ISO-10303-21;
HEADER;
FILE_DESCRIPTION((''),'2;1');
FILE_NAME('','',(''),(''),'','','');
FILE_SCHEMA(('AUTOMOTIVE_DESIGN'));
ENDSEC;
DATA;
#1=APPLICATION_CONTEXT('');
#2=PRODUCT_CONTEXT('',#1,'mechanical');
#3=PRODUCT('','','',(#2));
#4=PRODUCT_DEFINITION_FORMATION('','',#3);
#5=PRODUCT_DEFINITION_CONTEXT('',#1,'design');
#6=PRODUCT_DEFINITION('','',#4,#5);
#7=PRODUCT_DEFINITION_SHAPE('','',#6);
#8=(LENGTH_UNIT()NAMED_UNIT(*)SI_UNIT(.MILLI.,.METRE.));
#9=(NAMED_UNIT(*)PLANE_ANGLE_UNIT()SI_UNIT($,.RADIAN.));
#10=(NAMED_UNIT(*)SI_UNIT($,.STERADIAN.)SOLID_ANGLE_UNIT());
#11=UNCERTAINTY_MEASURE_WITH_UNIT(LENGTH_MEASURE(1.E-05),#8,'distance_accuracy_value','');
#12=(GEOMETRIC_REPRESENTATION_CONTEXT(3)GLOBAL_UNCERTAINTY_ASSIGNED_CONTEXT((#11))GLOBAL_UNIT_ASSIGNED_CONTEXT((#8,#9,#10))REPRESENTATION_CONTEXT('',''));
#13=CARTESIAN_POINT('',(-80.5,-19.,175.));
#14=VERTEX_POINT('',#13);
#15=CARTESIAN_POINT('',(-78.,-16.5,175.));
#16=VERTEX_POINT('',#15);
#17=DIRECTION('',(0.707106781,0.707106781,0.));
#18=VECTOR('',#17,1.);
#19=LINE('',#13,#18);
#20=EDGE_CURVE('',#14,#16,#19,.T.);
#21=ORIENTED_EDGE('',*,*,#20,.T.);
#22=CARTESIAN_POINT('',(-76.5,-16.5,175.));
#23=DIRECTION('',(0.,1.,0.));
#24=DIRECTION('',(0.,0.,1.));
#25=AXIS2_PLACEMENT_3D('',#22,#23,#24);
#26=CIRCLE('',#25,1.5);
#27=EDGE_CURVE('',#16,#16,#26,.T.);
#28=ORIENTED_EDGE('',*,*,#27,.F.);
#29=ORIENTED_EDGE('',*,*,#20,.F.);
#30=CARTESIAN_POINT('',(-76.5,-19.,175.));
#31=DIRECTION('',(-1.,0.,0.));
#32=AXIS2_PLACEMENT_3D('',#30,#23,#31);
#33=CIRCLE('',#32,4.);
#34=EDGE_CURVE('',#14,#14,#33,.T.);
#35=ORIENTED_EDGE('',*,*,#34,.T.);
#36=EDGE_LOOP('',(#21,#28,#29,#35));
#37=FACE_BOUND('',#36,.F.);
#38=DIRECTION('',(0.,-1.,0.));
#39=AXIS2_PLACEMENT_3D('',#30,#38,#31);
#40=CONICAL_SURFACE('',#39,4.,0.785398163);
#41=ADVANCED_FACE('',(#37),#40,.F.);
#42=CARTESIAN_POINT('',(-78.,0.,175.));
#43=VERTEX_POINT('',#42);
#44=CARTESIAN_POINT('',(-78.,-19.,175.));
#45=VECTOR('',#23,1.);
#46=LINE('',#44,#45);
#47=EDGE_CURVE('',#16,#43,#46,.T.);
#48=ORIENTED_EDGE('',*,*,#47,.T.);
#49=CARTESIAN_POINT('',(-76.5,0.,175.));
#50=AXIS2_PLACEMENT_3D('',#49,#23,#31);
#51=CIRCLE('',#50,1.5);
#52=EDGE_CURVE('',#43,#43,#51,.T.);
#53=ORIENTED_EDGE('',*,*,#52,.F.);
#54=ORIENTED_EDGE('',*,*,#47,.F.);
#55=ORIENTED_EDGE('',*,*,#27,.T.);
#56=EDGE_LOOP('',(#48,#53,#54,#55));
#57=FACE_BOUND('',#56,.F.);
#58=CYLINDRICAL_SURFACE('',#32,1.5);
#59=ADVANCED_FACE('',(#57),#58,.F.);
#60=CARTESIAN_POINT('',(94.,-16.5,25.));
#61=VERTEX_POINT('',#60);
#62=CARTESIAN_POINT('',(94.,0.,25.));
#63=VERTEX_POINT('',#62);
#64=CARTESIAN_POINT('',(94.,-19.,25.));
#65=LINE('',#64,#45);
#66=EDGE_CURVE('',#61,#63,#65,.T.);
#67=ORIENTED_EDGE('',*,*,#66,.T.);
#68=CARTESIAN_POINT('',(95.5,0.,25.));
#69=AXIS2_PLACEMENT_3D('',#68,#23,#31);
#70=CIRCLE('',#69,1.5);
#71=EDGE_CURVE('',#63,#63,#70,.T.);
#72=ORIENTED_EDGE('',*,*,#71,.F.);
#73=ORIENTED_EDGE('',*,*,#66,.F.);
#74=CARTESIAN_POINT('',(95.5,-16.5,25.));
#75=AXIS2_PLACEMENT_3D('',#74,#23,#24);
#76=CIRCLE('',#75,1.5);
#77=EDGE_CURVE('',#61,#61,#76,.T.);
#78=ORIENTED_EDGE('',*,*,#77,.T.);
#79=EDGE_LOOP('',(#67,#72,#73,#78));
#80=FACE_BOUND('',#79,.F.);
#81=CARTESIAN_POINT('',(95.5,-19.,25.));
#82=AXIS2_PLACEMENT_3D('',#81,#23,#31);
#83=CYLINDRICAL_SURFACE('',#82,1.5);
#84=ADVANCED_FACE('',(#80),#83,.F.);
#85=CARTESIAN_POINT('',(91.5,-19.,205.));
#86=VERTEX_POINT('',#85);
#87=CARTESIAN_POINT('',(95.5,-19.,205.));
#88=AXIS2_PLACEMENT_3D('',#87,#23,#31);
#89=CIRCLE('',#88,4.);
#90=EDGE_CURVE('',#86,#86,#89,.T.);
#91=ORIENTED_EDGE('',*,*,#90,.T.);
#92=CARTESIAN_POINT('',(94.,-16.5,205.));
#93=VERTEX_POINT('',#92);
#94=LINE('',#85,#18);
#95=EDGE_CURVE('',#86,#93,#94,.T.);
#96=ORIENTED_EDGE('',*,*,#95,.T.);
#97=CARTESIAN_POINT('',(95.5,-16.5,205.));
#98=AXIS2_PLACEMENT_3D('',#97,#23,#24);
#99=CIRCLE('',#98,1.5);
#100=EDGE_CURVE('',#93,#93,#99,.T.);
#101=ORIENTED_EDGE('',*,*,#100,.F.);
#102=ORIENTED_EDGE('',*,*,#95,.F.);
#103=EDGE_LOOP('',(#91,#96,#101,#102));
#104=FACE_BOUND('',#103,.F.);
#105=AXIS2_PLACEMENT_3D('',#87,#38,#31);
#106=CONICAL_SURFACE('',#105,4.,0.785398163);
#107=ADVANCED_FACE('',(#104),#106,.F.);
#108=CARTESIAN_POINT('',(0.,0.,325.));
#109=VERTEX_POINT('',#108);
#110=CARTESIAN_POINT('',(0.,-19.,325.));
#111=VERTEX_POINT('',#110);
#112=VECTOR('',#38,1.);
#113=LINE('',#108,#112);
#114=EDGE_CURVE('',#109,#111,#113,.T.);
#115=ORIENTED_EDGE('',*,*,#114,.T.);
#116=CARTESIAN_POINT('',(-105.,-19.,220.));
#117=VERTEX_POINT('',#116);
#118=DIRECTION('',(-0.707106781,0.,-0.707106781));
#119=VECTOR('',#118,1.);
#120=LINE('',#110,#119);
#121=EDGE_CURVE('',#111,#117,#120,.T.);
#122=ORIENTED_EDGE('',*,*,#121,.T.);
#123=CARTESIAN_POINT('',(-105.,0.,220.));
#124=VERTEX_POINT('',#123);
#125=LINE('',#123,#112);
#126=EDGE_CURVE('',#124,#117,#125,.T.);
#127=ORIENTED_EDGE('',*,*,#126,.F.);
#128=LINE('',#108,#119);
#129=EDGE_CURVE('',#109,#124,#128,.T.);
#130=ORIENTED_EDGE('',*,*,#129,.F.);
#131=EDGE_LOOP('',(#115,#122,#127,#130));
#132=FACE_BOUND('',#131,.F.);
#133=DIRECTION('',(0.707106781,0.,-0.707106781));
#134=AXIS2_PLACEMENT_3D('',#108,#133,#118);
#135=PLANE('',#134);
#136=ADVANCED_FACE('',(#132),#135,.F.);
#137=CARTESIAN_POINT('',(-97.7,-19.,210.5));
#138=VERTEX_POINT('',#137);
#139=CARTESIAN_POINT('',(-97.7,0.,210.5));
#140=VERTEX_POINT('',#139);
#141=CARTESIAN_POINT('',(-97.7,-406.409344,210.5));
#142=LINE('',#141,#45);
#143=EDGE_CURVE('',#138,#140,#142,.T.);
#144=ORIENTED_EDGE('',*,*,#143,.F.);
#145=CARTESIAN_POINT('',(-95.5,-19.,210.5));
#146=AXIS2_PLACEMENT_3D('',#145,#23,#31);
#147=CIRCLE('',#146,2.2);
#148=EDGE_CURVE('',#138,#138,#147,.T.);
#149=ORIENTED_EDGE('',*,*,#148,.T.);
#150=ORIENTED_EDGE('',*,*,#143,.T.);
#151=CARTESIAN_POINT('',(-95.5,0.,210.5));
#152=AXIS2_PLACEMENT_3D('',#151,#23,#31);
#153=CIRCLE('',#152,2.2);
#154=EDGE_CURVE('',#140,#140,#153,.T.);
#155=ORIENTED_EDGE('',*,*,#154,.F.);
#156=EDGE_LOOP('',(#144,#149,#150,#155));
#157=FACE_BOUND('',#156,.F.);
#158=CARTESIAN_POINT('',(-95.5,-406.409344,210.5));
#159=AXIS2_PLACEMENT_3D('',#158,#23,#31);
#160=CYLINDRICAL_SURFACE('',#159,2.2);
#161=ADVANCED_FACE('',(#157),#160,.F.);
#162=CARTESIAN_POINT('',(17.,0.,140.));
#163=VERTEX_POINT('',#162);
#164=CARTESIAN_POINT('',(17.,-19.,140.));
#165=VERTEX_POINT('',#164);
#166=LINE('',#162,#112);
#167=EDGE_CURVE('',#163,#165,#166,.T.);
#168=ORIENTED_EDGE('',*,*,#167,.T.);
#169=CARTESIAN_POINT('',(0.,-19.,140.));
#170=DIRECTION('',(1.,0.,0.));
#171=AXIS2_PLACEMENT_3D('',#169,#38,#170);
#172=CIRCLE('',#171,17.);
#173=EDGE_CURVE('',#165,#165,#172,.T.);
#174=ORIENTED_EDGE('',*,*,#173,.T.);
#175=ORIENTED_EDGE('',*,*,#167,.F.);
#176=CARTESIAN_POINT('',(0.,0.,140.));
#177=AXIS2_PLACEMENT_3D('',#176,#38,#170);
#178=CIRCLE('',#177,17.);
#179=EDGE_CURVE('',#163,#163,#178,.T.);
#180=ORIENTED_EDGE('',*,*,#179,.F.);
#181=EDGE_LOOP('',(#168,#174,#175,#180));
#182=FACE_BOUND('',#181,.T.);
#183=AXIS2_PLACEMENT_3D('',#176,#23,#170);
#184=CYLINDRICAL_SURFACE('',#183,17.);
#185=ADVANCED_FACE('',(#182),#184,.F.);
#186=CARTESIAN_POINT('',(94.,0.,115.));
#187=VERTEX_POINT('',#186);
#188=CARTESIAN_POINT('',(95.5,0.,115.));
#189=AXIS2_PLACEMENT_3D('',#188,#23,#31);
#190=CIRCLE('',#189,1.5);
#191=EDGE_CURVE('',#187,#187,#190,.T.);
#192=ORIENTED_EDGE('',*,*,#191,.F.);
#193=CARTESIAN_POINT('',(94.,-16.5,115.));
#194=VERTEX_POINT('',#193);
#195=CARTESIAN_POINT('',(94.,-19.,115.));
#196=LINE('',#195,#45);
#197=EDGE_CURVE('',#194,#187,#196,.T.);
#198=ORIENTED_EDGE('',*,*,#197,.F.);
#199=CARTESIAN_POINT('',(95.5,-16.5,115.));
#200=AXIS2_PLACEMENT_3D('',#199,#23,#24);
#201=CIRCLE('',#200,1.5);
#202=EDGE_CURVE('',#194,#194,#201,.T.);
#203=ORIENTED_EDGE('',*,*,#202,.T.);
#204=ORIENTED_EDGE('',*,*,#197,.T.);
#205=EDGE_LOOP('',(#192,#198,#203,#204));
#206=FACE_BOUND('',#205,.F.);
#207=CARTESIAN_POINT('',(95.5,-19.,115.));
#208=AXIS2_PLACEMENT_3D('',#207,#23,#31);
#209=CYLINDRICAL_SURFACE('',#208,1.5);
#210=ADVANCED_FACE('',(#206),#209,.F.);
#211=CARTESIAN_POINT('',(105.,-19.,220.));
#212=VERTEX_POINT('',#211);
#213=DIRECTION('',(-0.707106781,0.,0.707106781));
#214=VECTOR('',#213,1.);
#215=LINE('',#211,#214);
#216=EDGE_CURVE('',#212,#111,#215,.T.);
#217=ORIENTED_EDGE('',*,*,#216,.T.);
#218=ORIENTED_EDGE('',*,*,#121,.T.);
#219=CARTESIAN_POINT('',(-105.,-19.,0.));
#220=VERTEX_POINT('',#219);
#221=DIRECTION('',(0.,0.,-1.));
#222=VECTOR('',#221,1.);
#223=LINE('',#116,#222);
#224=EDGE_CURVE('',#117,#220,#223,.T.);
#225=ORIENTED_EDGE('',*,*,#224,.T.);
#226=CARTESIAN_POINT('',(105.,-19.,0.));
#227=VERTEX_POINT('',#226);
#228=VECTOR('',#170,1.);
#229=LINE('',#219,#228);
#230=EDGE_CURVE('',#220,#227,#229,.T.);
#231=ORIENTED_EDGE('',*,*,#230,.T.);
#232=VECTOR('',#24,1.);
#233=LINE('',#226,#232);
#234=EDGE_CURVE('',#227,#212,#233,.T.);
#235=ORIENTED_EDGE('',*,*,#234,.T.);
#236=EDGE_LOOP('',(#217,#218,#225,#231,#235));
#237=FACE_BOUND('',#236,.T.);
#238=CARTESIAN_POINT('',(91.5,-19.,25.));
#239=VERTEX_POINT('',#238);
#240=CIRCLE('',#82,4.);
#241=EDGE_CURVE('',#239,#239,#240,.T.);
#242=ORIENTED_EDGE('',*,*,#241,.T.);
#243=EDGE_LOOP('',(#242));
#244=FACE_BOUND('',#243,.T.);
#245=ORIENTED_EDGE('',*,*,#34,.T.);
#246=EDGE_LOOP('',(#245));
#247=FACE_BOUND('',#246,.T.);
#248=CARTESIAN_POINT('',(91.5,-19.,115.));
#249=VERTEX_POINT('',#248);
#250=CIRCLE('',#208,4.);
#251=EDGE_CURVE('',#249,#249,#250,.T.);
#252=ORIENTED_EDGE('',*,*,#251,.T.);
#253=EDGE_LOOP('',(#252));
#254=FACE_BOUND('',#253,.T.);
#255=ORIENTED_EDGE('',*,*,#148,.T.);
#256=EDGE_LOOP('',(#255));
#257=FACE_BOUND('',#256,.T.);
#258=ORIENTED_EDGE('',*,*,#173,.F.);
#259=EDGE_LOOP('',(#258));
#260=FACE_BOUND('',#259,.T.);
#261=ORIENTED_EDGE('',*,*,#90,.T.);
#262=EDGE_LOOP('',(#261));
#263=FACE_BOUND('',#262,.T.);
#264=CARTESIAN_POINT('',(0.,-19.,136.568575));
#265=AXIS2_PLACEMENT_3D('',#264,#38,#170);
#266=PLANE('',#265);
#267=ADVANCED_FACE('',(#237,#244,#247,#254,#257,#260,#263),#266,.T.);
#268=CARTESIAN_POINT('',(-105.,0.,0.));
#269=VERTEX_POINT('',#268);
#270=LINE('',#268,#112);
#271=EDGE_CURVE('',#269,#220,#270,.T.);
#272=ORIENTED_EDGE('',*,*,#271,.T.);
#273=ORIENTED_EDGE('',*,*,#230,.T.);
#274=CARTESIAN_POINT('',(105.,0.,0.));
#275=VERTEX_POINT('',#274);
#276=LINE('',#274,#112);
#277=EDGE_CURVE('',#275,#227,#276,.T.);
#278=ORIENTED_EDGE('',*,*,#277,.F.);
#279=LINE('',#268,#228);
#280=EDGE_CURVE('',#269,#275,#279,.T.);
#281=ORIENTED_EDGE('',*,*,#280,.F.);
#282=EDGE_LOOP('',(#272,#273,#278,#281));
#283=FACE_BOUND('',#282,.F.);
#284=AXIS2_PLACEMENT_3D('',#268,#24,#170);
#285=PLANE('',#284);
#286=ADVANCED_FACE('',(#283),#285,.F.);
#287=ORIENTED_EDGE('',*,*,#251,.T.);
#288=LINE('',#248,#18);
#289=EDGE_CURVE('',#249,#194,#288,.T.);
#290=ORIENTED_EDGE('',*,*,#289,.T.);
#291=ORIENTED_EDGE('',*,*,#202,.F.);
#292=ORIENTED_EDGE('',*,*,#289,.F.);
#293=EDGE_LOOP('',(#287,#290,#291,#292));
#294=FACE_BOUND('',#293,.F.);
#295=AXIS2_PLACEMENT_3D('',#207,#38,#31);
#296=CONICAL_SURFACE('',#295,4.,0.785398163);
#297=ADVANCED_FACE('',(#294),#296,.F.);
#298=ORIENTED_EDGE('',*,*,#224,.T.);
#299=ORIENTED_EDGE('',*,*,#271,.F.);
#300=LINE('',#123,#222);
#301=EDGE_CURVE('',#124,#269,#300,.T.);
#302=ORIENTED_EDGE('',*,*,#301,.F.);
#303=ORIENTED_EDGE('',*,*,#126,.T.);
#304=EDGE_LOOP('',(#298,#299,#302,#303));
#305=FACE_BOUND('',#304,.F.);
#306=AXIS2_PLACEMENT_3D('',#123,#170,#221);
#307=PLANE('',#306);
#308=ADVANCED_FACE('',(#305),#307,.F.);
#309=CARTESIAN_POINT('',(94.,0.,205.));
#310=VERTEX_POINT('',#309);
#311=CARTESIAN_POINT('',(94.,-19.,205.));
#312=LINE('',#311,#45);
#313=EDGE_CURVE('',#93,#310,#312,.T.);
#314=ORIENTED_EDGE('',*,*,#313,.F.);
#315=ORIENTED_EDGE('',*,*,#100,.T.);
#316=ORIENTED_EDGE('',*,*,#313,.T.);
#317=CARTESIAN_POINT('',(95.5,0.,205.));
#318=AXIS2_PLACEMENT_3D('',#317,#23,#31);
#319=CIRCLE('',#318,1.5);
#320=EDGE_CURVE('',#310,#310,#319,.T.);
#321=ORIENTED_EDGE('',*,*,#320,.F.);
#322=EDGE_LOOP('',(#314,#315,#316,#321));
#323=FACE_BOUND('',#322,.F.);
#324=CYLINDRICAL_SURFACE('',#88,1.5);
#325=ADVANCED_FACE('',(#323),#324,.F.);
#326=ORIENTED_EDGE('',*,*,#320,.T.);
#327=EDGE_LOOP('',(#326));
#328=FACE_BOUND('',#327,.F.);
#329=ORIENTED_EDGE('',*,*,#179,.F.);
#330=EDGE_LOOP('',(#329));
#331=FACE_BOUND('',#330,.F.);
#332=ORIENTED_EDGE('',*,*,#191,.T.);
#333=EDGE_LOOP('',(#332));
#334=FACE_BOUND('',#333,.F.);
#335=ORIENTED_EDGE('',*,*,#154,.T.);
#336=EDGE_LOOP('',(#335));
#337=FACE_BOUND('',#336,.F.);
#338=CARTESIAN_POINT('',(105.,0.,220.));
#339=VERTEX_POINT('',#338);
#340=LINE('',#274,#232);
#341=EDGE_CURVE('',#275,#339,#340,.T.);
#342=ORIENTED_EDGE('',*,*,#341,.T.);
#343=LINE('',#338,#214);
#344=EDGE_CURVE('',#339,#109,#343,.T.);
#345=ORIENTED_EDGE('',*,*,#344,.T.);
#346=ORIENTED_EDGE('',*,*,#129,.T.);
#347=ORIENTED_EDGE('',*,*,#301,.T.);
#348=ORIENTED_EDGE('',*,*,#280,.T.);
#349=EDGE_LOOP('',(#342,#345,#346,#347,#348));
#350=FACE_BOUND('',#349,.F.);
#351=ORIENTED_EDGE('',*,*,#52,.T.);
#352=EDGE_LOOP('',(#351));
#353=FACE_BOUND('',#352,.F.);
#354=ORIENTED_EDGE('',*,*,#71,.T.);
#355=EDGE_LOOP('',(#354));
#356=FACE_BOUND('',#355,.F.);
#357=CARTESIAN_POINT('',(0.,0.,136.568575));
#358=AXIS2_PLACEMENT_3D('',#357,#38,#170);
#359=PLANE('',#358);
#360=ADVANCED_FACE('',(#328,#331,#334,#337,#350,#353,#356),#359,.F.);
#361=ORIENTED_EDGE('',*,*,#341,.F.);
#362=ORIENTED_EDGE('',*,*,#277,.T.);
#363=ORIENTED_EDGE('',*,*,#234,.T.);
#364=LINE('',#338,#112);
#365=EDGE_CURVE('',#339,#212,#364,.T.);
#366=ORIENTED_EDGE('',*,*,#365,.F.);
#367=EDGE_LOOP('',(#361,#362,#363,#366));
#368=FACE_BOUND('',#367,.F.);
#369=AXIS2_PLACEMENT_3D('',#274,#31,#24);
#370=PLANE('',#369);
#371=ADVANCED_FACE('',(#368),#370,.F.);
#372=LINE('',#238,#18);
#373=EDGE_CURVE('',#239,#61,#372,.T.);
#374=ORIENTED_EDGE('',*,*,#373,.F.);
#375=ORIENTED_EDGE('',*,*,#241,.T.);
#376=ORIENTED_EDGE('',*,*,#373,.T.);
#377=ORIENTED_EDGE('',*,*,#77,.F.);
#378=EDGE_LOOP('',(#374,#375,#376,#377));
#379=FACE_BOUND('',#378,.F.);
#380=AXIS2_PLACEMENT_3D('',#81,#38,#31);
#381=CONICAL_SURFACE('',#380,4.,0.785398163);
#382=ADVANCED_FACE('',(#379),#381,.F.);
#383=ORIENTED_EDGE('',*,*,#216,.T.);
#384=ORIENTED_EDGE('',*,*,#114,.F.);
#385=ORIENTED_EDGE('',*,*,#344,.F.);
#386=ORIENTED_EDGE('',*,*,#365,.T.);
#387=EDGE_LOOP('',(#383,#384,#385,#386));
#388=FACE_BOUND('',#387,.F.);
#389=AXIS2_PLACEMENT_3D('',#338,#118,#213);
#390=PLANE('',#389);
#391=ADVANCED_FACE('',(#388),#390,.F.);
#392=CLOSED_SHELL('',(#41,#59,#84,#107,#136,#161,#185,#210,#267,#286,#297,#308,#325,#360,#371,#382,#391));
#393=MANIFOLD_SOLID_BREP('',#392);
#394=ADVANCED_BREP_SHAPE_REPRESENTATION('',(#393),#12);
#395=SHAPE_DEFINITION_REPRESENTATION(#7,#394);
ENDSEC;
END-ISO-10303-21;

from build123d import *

# Parameters (mm, degrees)
F1_R           = 17
F2_DEPTH       = 19
F4_D           = 3
F4_CSINK_D     = 8
F4_CSINK_ANGLE = 90
F5_D           = 4.4


with BuildPart() as f2:
    # F1 (on Front) → F2 (new body)
    with BuildSketch(Plane.XZ):
        Polygon((105, 0), (105, 220), (0, 325), (-105, 220), (-105, 0), align=None)
        with Locations((0, 140)):
            Circle(F1_R, mode=Mode.SUBTRACT)
    extrude(amount=F2_DEPTH)

    # F4 (through all)
    with Locations(Plane.XZ.offset(19)):
        with Locations((95.5, 25), (95.5, 115), (95.5, 205), (-76.5, 175)):
            CounterSinkHole(F4_D / 2, F4_CSINK_D / 2, counter_sink_angle=F4_CSINK_ANGLE)

    # F5 (through all)
    with Locations(Plane.XZ.offset(19)):
        with Locations((-95.5, 210.5)):
            Hole(F5_D / 2)


solid = f2.part
